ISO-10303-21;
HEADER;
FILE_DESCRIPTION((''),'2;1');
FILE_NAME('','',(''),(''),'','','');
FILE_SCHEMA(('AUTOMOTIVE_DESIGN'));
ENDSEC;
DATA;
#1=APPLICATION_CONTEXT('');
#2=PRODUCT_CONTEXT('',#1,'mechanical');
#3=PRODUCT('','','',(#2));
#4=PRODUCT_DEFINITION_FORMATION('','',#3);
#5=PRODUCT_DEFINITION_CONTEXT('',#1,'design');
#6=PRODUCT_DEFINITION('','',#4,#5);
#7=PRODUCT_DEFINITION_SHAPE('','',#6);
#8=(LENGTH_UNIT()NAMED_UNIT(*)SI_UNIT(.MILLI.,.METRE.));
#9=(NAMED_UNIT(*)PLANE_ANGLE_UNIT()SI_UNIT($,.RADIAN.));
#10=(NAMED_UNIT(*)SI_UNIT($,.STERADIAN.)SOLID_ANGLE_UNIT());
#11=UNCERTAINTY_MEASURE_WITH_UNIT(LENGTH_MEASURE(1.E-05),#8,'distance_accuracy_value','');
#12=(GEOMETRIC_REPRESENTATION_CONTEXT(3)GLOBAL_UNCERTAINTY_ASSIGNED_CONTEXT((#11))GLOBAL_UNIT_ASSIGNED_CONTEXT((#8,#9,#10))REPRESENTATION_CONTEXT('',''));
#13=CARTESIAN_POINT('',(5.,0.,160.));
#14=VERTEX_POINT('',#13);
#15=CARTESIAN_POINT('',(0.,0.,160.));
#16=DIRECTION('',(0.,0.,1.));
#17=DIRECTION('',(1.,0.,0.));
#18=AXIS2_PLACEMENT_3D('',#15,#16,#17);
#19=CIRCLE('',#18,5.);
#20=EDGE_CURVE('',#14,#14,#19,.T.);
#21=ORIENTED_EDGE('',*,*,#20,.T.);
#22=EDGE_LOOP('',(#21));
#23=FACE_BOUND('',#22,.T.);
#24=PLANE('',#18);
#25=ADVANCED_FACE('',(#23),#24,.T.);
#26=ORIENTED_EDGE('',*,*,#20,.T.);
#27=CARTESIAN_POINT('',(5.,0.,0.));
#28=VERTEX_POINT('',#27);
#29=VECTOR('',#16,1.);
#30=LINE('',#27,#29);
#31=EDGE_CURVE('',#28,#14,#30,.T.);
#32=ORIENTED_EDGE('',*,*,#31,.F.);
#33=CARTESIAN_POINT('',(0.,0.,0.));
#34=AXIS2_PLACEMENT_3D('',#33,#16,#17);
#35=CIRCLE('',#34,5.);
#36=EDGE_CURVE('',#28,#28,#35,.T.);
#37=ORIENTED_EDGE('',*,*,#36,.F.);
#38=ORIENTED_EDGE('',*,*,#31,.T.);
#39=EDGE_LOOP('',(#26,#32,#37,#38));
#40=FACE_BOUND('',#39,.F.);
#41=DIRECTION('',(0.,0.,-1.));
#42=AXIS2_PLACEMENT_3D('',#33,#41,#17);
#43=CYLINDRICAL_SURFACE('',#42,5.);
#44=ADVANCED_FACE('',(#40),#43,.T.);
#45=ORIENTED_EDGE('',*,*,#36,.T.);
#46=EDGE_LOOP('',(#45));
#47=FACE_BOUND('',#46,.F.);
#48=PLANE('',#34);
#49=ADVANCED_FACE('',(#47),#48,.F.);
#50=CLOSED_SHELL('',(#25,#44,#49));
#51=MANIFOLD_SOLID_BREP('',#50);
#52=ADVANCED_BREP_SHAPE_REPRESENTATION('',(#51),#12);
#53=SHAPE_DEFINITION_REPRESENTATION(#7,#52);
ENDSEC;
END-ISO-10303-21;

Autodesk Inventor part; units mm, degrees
ref_plane "YZ Plane" through (0, 0, 0) normal (1, 0, 0) x (0, 1, 0)
ref_plane "XZ Plane" through (0, 0, 0) normal (0, 1, 0) x (-1, 0, 0)
ref_plane "XY Plane" through (0, 0, 0) normal (0, 0, 1) x (1, 0, 0)
sketch "Sketch1" plane through (0, 0, 0) normal (0, 0, 1) x (1, 0, 0)
  circle A0 centre (0, 0) radius 5
  dimension "d0" = 10
extrude "Extrusion1" add sketch "Sketch1" along normal blind 160
properties part number "expo part 1"
